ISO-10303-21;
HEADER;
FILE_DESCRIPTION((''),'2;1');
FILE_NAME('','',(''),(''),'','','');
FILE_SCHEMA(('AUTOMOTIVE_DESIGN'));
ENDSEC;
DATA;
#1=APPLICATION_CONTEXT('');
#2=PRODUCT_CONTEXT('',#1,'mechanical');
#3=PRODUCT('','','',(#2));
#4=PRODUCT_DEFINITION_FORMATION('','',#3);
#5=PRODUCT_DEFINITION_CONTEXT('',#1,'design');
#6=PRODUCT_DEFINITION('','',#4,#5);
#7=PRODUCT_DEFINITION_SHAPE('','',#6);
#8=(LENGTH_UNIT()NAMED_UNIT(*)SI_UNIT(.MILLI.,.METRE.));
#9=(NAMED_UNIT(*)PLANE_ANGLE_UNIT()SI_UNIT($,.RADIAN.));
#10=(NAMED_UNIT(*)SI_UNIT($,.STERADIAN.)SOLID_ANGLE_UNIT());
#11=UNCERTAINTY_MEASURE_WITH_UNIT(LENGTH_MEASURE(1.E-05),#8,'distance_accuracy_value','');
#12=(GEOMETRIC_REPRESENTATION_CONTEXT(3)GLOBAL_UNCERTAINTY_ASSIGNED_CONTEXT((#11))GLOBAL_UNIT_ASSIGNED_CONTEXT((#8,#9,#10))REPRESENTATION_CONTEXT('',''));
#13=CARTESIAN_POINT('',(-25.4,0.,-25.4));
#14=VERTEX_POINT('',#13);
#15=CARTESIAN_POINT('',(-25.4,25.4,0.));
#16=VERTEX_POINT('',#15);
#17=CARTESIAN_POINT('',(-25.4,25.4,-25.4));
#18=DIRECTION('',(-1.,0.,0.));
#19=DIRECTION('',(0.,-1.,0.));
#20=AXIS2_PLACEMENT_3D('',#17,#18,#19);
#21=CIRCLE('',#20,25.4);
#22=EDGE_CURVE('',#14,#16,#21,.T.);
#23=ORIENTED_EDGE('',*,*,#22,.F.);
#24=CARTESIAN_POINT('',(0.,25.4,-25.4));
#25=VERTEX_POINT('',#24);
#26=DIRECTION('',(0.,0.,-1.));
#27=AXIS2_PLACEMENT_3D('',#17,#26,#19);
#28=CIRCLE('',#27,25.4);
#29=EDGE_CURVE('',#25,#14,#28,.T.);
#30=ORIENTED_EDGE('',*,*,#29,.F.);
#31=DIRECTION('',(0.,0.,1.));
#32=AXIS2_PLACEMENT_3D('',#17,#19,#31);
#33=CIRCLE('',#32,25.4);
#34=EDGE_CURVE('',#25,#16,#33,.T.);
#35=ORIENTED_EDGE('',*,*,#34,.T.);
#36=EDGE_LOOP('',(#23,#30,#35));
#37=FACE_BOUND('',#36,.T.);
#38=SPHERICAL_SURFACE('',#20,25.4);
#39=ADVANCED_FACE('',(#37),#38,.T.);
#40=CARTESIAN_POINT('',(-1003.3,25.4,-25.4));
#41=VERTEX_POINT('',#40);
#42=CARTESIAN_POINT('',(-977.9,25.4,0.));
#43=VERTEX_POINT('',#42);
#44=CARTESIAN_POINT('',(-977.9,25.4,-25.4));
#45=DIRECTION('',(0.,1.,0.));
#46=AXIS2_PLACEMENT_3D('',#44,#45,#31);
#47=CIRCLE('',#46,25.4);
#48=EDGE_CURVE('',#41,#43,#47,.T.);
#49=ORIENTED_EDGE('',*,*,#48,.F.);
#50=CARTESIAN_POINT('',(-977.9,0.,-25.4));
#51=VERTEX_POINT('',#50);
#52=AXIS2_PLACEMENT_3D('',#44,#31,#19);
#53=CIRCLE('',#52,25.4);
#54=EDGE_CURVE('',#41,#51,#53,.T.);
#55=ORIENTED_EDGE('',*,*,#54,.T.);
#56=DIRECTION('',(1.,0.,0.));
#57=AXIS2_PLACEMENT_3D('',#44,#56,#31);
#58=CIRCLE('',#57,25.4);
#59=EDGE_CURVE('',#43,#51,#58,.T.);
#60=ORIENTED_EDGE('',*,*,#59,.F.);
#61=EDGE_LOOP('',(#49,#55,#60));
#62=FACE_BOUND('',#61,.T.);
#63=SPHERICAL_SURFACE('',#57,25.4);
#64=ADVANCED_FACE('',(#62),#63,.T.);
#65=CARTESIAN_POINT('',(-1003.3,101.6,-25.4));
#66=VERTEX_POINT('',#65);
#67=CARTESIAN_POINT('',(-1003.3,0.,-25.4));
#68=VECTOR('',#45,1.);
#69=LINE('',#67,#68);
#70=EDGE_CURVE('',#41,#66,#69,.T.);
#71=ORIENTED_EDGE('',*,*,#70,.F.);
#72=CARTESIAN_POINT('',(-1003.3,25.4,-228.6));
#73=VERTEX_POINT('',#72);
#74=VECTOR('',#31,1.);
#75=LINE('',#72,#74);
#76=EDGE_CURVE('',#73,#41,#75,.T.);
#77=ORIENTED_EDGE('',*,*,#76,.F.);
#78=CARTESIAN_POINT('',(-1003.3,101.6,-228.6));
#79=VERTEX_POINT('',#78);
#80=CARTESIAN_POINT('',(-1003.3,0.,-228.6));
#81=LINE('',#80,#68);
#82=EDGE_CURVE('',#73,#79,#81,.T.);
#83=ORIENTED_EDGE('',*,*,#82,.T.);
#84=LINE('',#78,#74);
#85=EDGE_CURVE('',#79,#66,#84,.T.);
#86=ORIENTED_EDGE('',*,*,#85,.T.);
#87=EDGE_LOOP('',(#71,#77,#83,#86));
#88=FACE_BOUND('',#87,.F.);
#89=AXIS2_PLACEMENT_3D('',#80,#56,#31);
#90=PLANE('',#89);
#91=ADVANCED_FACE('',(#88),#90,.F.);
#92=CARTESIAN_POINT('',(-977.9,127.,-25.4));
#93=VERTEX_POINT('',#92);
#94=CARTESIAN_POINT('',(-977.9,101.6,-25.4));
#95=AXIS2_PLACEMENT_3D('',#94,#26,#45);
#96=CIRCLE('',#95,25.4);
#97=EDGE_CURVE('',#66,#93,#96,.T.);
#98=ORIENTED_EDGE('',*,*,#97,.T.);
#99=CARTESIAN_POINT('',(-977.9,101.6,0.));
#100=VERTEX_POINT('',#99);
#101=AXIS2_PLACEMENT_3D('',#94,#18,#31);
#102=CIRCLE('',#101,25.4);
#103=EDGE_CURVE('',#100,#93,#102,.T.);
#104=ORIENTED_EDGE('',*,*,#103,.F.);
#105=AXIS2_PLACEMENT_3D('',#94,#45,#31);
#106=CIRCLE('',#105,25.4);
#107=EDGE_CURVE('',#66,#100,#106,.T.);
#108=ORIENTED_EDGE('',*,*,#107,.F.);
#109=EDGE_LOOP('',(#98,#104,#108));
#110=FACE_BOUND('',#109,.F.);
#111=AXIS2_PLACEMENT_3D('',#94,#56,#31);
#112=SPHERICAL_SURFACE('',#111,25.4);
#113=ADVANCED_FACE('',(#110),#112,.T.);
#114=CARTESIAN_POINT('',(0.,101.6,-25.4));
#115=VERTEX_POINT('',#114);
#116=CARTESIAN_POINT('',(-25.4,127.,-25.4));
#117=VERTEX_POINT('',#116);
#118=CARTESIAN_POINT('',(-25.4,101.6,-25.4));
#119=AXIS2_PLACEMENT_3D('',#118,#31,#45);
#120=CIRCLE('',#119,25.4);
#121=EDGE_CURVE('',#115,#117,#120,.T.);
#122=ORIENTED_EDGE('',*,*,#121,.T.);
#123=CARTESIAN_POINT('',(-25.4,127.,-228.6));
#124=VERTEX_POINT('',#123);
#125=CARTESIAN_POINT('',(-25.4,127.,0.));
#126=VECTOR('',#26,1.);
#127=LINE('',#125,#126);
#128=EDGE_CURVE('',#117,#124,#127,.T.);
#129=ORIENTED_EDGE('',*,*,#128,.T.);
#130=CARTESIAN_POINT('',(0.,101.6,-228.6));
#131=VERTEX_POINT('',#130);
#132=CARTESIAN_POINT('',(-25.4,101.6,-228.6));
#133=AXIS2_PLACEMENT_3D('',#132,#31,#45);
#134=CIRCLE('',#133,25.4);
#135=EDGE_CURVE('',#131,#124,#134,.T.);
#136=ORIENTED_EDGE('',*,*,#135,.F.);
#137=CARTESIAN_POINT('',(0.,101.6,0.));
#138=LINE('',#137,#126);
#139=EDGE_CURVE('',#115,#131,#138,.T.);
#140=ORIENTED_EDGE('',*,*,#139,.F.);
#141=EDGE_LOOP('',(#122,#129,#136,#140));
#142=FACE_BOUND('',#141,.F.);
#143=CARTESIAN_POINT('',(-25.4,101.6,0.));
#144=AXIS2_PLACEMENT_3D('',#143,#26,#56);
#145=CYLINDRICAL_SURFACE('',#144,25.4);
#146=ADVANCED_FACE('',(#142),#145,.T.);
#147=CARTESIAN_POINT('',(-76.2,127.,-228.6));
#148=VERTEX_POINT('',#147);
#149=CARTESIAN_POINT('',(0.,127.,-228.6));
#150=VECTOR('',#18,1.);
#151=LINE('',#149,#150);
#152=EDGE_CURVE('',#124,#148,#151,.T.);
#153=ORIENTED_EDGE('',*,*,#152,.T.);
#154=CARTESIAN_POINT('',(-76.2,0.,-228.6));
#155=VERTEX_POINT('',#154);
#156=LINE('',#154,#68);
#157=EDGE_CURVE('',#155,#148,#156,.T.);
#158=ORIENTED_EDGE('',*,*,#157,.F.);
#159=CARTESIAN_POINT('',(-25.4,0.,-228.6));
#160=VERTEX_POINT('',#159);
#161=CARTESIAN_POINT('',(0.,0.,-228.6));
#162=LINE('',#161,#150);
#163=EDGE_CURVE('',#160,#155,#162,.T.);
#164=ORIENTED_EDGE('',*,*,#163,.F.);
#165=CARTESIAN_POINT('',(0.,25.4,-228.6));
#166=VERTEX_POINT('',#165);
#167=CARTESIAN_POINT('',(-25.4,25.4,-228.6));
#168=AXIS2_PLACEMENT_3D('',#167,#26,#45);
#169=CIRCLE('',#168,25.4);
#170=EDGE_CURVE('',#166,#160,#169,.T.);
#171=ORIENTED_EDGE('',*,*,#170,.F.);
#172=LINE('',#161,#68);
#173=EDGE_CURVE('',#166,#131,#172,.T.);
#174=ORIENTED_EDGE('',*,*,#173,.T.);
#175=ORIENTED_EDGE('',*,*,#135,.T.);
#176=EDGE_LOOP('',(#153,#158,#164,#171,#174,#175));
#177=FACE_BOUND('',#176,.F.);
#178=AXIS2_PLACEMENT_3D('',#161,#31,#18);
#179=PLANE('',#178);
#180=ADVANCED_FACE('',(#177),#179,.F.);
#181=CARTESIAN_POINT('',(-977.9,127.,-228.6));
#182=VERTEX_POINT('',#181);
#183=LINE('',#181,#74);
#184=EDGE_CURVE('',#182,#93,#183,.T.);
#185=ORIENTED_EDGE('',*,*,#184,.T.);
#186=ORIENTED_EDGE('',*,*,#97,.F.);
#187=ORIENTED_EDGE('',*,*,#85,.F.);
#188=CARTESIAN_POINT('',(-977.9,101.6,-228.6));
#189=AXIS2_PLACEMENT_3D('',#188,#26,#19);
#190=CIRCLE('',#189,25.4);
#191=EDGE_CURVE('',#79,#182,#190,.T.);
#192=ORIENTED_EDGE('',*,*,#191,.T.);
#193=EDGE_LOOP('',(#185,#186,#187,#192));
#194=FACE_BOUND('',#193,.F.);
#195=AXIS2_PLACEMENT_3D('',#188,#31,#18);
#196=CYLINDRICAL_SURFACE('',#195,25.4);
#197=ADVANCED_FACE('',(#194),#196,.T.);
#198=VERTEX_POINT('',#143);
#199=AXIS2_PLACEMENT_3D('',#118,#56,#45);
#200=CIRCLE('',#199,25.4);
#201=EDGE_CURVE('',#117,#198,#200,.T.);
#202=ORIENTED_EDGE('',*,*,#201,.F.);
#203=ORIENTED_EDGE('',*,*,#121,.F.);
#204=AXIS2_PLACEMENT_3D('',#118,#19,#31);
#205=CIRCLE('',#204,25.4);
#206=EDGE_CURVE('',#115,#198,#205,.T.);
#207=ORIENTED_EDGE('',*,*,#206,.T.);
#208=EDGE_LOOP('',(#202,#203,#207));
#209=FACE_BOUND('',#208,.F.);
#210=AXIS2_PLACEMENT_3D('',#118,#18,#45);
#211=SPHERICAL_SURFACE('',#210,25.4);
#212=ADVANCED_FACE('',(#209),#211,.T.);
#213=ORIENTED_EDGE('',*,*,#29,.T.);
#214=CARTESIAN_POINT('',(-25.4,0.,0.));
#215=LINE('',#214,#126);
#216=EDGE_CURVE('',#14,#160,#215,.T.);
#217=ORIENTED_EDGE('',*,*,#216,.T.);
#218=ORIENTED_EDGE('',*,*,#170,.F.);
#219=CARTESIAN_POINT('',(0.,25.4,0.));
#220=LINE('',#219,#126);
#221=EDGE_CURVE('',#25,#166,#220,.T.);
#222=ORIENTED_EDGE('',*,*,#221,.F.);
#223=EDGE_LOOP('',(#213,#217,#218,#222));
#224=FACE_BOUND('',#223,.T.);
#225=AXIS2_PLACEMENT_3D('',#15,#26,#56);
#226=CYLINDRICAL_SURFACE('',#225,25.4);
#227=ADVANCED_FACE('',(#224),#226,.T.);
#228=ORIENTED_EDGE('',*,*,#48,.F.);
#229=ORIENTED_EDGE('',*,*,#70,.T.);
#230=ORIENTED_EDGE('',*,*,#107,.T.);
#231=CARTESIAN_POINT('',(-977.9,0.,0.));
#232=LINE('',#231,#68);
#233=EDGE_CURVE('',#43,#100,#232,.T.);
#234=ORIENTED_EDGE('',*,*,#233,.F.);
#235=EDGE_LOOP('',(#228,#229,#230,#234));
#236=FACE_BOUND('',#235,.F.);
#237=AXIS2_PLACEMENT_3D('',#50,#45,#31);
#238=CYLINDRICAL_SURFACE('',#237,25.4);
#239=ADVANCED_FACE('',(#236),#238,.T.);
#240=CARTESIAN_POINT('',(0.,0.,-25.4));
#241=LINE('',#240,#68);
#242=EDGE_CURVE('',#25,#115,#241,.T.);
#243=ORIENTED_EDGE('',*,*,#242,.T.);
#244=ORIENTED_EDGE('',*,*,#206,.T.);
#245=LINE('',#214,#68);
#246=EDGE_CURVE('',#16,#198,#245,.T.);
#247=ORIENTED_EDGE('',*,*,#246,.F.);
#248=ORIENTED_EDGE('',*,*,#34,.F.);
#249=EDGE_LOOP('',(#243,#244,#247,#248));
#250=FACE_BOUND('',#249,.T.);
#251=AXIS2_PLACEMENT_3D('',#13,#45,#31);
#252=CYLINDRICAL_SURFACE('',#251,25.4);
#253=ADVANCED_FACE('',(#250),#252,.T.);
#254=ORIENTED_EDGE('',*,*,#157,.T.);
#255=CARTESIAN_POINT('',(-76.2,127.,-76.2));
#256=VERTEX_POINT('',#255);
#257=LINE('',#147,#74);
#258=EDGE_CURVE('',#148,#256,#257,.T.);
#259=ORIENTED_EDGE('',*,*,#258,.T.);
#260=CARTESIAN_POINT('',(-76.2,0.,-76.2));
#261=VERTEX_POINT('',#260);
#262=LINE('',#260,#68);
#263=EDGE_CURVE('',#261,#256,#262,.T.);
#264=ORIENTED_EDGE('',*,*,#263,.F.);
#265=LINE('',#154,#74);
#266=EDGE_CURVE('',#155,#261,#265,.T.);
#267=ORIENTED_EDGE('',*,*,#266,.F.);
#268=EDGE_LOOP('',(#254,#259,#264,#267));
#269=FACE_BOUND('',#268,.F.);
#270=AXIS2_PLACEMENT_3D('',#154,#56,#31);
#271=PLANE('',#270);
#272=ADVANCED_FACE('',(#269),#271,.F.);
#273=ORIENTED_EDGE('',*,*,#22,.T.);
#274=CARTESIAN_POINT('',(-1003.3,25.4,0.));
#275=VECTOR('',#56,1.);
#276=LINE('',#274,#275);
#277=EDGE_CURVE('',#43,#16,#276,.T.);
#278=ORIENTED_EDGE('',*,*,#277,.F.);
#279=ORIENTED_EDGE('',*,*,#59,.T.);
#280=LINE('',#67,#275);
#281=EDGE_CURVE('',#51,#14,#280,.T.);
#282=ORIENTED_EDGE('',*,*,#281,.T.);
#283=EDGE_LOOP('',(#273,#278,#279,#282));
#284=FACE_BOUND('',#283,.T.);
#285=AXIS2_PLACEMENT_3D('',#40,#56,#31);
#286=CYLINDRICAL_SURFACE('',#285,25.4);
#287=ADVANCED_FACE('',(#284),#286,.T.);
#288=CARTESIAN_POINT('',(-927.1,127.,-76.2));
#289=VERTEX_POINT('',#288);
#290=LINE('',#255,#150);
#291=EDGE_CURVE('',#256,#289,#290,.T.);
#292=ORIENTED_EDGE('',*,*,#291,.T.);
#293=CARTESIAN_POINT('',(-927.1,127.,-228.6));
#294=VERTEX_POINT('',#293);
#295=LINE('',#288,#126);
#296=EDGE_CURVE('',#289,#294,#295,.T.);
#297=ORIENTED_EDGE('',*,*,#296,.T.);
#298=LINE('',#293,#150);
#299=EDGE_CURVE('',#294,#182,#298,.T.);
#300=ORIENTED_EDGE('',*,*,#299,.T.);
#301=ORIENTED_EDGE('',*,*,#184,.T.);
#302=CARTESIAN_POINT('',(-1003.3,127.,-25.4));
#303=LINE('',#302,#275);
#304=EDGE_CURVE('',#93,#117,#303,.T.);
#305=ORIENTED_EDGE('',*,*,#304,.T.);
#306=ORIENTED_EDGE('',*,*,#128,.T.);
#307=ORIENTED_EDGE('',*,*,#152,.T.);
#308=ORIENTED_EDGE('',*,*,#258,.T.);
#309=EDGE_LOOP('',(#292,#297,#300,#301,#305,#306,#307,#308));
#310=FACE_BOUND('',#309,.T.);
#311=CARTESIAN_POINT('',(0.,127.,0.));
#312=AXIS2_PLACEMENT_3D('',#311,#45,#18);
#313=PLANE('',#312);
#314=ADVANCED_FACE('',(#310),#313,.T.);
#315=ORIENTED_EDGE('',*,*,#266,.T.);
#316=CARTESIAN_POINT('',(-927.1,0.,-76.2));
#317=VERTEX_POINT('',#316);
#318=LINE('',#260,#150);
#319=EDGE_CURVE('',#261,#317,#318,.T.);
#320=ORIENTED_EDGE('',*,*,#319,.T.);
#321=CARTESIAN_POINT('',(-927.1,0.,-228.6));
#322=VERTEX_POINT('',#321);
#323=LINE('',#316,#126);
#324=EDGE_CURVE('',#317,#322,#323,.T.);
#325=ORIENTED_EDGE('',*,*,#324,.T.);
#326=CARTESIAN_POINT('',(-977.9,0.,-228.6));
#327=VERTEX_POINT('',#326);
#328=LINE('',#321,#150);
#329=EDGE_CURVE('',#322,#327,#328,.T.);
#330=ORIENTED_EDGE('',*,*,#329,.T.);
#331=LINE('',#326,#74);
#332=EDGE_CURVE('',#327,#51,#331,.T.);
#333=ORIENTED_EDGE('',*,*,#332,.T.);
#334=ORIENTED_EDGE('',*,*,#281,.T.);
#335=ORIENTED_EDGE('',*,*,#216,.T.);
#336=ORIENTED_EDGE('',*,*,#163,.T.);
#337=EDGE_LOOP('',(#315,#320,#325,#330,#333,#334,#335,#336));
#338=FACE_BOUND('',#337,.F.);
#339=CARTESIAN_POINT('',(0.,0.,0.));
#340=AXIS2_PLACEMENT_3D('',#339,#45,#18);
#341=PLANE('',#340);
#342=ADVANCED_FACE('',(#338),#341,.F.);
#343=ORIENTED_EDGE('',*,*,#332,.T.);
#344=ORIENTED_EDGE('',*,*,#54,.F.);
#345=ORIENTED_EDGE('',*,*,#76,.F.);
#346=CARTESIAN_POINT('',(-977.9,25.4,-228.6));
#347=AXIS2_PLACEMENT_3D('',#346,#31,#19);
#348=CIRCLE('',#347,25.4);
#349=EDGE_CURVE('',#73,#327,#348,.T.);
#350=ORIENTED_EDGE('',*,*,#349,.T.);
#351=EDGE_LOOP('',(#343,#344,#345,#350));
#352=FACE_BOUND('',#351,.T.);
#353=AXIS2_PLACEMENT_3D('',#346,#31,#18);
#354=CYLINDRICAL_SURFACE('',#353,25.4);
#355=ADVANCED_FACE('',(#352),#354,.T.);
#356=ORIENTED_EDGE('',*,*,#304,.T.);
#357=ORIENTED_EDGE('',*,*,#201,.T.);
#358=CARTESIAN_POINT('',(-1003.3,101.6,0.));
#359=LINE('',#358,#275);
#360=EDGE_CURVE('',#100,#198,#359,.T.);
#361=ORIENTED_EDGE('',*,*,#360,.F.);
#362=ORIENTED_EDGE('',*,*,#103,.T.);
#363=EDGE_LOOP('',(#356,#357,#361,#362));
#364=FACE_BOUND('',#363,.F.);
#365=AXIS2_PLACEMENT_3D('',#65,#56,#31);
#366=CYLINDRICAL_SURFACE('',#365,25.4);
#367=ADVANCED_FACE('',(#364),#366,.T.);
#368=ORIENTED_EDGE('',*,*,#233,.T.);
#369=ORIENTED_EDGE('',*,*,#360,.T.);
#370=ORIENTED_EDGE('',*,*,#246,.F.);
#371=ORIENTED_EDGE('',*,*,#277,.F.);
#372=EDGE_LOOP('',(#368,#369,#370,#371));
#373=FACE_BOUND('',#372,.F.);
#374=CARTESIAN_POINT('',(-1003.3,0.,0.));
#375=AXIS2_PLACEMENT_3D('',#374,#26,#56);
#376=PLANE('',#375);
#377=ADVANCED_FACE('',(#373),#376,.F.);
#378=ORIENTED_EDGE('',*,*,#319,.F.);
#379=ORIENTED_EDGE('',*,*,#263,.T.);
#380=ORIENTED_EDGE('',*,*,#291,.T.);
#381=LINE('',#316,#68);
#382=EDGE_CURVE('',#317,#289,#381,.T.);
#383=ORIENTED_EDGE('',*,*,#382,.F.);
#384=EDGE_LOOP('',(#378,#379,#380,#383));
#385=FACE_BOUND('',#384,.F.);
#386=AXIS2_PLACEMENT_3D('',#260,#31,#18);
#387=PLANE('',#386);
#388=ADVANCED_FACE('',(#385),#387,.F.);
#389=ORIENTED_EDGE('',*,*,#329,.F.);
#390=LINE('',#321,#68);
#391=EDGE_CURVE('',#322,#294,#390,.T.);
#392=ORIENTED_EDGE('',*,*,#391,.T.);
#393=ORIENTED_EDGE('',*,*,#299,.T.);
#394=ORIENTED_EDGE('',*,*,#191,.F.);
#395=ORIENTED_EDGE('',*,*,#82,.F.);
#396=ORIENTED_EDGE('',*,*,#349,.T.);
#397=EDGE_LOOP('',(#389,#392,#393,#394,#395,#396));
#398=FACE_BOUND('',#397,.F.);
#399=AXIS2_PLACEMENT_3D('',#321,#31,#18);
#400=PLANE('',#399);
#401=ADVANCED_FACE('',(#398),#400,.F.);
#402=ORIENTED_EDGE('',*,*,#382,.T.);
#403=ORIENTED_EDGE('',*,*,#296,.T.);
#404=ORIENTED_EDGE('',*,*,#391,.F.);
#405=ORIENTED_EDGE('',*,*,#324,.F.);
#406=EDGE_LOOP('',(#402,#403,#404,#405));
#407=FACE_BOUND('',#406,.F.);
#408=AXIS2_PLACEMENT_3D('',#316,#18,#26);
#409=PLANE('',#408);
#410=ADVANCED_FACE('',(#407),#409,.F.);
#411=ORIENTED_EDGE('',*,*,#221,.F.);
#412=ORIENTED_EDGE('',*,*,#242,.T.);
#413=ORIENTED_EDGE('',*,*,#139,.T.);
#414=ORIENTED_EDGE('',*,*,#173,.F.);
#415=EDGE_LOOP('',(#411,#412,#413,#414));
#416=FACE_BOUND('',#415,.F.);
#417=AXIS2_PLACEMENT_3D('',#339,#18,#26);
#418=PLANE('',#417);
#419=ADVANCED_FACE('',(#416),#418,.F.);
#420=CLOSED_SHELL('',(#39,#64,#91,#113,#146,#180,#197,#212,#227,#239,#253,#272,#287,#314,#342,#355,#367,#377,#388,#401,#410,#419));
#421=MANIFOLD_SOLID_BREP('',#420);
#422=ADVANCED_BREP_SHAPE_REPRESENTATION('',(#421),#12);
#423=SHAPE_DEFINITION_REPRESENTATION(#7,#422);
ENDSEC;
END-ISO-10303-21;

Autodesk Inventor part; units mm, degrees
ref_plane "YZ Plane" through (0, 0, 0) normal (1, 0, 0) x (0, 1, 0)
ref_plane "XZ Plane" through (0, 0, 0) normal (0, 1, 0) x (-1, 0, 0)
ref_plane "XY Plane" through (0, 0, 0) normal (0, 0, 1) x (1, 0, 0)
sketch "Sketch1" plane through (0, 0, 0) normal (0, 1, 0) x (-1, 0, 0)
  line L0 (0, 0) -> (0, -228.6)
  line L1 (0, -228.6) -> (76.2, -228.6)
  line L2 (76.2, -228.6) -> (76.2, -76.2)
  line L3 (76.2, -76.2) -> (927.1, -76.2)
  line L4 (927.1, -76.2) -> (927.1, -228.6)
  line L5 (927.1, -228.6) -> (1003.3, -228.6)
  line L6 (1003.3, -228.6) -> (1003.3, 0)
  line L7 (1003.3, 0) -> (0, 0)
  dimension "d0" = 228.6
  dimension "d1" = 76.2
  dimension "d2" = 152.4
  dimension "d3" = 850.9
  dimension "d4" = 152.4
  dimension "d5" = 76.2
extrude "Extrusion1" add sketch "Sketch1" along normal blind 127
fillet "Fillet1" radius 25.4 8 edges at (-501.65, 127, 0) (-501.65, 0, 0) (0, 127, -114.3) (0, 0, -114.3) (0, 63.5, 0) (-1003.3, 63.5, 0) (-1003.3, 127, -114.3) (-1003.3, 0, -114.3)
properties part number "Bumper"
